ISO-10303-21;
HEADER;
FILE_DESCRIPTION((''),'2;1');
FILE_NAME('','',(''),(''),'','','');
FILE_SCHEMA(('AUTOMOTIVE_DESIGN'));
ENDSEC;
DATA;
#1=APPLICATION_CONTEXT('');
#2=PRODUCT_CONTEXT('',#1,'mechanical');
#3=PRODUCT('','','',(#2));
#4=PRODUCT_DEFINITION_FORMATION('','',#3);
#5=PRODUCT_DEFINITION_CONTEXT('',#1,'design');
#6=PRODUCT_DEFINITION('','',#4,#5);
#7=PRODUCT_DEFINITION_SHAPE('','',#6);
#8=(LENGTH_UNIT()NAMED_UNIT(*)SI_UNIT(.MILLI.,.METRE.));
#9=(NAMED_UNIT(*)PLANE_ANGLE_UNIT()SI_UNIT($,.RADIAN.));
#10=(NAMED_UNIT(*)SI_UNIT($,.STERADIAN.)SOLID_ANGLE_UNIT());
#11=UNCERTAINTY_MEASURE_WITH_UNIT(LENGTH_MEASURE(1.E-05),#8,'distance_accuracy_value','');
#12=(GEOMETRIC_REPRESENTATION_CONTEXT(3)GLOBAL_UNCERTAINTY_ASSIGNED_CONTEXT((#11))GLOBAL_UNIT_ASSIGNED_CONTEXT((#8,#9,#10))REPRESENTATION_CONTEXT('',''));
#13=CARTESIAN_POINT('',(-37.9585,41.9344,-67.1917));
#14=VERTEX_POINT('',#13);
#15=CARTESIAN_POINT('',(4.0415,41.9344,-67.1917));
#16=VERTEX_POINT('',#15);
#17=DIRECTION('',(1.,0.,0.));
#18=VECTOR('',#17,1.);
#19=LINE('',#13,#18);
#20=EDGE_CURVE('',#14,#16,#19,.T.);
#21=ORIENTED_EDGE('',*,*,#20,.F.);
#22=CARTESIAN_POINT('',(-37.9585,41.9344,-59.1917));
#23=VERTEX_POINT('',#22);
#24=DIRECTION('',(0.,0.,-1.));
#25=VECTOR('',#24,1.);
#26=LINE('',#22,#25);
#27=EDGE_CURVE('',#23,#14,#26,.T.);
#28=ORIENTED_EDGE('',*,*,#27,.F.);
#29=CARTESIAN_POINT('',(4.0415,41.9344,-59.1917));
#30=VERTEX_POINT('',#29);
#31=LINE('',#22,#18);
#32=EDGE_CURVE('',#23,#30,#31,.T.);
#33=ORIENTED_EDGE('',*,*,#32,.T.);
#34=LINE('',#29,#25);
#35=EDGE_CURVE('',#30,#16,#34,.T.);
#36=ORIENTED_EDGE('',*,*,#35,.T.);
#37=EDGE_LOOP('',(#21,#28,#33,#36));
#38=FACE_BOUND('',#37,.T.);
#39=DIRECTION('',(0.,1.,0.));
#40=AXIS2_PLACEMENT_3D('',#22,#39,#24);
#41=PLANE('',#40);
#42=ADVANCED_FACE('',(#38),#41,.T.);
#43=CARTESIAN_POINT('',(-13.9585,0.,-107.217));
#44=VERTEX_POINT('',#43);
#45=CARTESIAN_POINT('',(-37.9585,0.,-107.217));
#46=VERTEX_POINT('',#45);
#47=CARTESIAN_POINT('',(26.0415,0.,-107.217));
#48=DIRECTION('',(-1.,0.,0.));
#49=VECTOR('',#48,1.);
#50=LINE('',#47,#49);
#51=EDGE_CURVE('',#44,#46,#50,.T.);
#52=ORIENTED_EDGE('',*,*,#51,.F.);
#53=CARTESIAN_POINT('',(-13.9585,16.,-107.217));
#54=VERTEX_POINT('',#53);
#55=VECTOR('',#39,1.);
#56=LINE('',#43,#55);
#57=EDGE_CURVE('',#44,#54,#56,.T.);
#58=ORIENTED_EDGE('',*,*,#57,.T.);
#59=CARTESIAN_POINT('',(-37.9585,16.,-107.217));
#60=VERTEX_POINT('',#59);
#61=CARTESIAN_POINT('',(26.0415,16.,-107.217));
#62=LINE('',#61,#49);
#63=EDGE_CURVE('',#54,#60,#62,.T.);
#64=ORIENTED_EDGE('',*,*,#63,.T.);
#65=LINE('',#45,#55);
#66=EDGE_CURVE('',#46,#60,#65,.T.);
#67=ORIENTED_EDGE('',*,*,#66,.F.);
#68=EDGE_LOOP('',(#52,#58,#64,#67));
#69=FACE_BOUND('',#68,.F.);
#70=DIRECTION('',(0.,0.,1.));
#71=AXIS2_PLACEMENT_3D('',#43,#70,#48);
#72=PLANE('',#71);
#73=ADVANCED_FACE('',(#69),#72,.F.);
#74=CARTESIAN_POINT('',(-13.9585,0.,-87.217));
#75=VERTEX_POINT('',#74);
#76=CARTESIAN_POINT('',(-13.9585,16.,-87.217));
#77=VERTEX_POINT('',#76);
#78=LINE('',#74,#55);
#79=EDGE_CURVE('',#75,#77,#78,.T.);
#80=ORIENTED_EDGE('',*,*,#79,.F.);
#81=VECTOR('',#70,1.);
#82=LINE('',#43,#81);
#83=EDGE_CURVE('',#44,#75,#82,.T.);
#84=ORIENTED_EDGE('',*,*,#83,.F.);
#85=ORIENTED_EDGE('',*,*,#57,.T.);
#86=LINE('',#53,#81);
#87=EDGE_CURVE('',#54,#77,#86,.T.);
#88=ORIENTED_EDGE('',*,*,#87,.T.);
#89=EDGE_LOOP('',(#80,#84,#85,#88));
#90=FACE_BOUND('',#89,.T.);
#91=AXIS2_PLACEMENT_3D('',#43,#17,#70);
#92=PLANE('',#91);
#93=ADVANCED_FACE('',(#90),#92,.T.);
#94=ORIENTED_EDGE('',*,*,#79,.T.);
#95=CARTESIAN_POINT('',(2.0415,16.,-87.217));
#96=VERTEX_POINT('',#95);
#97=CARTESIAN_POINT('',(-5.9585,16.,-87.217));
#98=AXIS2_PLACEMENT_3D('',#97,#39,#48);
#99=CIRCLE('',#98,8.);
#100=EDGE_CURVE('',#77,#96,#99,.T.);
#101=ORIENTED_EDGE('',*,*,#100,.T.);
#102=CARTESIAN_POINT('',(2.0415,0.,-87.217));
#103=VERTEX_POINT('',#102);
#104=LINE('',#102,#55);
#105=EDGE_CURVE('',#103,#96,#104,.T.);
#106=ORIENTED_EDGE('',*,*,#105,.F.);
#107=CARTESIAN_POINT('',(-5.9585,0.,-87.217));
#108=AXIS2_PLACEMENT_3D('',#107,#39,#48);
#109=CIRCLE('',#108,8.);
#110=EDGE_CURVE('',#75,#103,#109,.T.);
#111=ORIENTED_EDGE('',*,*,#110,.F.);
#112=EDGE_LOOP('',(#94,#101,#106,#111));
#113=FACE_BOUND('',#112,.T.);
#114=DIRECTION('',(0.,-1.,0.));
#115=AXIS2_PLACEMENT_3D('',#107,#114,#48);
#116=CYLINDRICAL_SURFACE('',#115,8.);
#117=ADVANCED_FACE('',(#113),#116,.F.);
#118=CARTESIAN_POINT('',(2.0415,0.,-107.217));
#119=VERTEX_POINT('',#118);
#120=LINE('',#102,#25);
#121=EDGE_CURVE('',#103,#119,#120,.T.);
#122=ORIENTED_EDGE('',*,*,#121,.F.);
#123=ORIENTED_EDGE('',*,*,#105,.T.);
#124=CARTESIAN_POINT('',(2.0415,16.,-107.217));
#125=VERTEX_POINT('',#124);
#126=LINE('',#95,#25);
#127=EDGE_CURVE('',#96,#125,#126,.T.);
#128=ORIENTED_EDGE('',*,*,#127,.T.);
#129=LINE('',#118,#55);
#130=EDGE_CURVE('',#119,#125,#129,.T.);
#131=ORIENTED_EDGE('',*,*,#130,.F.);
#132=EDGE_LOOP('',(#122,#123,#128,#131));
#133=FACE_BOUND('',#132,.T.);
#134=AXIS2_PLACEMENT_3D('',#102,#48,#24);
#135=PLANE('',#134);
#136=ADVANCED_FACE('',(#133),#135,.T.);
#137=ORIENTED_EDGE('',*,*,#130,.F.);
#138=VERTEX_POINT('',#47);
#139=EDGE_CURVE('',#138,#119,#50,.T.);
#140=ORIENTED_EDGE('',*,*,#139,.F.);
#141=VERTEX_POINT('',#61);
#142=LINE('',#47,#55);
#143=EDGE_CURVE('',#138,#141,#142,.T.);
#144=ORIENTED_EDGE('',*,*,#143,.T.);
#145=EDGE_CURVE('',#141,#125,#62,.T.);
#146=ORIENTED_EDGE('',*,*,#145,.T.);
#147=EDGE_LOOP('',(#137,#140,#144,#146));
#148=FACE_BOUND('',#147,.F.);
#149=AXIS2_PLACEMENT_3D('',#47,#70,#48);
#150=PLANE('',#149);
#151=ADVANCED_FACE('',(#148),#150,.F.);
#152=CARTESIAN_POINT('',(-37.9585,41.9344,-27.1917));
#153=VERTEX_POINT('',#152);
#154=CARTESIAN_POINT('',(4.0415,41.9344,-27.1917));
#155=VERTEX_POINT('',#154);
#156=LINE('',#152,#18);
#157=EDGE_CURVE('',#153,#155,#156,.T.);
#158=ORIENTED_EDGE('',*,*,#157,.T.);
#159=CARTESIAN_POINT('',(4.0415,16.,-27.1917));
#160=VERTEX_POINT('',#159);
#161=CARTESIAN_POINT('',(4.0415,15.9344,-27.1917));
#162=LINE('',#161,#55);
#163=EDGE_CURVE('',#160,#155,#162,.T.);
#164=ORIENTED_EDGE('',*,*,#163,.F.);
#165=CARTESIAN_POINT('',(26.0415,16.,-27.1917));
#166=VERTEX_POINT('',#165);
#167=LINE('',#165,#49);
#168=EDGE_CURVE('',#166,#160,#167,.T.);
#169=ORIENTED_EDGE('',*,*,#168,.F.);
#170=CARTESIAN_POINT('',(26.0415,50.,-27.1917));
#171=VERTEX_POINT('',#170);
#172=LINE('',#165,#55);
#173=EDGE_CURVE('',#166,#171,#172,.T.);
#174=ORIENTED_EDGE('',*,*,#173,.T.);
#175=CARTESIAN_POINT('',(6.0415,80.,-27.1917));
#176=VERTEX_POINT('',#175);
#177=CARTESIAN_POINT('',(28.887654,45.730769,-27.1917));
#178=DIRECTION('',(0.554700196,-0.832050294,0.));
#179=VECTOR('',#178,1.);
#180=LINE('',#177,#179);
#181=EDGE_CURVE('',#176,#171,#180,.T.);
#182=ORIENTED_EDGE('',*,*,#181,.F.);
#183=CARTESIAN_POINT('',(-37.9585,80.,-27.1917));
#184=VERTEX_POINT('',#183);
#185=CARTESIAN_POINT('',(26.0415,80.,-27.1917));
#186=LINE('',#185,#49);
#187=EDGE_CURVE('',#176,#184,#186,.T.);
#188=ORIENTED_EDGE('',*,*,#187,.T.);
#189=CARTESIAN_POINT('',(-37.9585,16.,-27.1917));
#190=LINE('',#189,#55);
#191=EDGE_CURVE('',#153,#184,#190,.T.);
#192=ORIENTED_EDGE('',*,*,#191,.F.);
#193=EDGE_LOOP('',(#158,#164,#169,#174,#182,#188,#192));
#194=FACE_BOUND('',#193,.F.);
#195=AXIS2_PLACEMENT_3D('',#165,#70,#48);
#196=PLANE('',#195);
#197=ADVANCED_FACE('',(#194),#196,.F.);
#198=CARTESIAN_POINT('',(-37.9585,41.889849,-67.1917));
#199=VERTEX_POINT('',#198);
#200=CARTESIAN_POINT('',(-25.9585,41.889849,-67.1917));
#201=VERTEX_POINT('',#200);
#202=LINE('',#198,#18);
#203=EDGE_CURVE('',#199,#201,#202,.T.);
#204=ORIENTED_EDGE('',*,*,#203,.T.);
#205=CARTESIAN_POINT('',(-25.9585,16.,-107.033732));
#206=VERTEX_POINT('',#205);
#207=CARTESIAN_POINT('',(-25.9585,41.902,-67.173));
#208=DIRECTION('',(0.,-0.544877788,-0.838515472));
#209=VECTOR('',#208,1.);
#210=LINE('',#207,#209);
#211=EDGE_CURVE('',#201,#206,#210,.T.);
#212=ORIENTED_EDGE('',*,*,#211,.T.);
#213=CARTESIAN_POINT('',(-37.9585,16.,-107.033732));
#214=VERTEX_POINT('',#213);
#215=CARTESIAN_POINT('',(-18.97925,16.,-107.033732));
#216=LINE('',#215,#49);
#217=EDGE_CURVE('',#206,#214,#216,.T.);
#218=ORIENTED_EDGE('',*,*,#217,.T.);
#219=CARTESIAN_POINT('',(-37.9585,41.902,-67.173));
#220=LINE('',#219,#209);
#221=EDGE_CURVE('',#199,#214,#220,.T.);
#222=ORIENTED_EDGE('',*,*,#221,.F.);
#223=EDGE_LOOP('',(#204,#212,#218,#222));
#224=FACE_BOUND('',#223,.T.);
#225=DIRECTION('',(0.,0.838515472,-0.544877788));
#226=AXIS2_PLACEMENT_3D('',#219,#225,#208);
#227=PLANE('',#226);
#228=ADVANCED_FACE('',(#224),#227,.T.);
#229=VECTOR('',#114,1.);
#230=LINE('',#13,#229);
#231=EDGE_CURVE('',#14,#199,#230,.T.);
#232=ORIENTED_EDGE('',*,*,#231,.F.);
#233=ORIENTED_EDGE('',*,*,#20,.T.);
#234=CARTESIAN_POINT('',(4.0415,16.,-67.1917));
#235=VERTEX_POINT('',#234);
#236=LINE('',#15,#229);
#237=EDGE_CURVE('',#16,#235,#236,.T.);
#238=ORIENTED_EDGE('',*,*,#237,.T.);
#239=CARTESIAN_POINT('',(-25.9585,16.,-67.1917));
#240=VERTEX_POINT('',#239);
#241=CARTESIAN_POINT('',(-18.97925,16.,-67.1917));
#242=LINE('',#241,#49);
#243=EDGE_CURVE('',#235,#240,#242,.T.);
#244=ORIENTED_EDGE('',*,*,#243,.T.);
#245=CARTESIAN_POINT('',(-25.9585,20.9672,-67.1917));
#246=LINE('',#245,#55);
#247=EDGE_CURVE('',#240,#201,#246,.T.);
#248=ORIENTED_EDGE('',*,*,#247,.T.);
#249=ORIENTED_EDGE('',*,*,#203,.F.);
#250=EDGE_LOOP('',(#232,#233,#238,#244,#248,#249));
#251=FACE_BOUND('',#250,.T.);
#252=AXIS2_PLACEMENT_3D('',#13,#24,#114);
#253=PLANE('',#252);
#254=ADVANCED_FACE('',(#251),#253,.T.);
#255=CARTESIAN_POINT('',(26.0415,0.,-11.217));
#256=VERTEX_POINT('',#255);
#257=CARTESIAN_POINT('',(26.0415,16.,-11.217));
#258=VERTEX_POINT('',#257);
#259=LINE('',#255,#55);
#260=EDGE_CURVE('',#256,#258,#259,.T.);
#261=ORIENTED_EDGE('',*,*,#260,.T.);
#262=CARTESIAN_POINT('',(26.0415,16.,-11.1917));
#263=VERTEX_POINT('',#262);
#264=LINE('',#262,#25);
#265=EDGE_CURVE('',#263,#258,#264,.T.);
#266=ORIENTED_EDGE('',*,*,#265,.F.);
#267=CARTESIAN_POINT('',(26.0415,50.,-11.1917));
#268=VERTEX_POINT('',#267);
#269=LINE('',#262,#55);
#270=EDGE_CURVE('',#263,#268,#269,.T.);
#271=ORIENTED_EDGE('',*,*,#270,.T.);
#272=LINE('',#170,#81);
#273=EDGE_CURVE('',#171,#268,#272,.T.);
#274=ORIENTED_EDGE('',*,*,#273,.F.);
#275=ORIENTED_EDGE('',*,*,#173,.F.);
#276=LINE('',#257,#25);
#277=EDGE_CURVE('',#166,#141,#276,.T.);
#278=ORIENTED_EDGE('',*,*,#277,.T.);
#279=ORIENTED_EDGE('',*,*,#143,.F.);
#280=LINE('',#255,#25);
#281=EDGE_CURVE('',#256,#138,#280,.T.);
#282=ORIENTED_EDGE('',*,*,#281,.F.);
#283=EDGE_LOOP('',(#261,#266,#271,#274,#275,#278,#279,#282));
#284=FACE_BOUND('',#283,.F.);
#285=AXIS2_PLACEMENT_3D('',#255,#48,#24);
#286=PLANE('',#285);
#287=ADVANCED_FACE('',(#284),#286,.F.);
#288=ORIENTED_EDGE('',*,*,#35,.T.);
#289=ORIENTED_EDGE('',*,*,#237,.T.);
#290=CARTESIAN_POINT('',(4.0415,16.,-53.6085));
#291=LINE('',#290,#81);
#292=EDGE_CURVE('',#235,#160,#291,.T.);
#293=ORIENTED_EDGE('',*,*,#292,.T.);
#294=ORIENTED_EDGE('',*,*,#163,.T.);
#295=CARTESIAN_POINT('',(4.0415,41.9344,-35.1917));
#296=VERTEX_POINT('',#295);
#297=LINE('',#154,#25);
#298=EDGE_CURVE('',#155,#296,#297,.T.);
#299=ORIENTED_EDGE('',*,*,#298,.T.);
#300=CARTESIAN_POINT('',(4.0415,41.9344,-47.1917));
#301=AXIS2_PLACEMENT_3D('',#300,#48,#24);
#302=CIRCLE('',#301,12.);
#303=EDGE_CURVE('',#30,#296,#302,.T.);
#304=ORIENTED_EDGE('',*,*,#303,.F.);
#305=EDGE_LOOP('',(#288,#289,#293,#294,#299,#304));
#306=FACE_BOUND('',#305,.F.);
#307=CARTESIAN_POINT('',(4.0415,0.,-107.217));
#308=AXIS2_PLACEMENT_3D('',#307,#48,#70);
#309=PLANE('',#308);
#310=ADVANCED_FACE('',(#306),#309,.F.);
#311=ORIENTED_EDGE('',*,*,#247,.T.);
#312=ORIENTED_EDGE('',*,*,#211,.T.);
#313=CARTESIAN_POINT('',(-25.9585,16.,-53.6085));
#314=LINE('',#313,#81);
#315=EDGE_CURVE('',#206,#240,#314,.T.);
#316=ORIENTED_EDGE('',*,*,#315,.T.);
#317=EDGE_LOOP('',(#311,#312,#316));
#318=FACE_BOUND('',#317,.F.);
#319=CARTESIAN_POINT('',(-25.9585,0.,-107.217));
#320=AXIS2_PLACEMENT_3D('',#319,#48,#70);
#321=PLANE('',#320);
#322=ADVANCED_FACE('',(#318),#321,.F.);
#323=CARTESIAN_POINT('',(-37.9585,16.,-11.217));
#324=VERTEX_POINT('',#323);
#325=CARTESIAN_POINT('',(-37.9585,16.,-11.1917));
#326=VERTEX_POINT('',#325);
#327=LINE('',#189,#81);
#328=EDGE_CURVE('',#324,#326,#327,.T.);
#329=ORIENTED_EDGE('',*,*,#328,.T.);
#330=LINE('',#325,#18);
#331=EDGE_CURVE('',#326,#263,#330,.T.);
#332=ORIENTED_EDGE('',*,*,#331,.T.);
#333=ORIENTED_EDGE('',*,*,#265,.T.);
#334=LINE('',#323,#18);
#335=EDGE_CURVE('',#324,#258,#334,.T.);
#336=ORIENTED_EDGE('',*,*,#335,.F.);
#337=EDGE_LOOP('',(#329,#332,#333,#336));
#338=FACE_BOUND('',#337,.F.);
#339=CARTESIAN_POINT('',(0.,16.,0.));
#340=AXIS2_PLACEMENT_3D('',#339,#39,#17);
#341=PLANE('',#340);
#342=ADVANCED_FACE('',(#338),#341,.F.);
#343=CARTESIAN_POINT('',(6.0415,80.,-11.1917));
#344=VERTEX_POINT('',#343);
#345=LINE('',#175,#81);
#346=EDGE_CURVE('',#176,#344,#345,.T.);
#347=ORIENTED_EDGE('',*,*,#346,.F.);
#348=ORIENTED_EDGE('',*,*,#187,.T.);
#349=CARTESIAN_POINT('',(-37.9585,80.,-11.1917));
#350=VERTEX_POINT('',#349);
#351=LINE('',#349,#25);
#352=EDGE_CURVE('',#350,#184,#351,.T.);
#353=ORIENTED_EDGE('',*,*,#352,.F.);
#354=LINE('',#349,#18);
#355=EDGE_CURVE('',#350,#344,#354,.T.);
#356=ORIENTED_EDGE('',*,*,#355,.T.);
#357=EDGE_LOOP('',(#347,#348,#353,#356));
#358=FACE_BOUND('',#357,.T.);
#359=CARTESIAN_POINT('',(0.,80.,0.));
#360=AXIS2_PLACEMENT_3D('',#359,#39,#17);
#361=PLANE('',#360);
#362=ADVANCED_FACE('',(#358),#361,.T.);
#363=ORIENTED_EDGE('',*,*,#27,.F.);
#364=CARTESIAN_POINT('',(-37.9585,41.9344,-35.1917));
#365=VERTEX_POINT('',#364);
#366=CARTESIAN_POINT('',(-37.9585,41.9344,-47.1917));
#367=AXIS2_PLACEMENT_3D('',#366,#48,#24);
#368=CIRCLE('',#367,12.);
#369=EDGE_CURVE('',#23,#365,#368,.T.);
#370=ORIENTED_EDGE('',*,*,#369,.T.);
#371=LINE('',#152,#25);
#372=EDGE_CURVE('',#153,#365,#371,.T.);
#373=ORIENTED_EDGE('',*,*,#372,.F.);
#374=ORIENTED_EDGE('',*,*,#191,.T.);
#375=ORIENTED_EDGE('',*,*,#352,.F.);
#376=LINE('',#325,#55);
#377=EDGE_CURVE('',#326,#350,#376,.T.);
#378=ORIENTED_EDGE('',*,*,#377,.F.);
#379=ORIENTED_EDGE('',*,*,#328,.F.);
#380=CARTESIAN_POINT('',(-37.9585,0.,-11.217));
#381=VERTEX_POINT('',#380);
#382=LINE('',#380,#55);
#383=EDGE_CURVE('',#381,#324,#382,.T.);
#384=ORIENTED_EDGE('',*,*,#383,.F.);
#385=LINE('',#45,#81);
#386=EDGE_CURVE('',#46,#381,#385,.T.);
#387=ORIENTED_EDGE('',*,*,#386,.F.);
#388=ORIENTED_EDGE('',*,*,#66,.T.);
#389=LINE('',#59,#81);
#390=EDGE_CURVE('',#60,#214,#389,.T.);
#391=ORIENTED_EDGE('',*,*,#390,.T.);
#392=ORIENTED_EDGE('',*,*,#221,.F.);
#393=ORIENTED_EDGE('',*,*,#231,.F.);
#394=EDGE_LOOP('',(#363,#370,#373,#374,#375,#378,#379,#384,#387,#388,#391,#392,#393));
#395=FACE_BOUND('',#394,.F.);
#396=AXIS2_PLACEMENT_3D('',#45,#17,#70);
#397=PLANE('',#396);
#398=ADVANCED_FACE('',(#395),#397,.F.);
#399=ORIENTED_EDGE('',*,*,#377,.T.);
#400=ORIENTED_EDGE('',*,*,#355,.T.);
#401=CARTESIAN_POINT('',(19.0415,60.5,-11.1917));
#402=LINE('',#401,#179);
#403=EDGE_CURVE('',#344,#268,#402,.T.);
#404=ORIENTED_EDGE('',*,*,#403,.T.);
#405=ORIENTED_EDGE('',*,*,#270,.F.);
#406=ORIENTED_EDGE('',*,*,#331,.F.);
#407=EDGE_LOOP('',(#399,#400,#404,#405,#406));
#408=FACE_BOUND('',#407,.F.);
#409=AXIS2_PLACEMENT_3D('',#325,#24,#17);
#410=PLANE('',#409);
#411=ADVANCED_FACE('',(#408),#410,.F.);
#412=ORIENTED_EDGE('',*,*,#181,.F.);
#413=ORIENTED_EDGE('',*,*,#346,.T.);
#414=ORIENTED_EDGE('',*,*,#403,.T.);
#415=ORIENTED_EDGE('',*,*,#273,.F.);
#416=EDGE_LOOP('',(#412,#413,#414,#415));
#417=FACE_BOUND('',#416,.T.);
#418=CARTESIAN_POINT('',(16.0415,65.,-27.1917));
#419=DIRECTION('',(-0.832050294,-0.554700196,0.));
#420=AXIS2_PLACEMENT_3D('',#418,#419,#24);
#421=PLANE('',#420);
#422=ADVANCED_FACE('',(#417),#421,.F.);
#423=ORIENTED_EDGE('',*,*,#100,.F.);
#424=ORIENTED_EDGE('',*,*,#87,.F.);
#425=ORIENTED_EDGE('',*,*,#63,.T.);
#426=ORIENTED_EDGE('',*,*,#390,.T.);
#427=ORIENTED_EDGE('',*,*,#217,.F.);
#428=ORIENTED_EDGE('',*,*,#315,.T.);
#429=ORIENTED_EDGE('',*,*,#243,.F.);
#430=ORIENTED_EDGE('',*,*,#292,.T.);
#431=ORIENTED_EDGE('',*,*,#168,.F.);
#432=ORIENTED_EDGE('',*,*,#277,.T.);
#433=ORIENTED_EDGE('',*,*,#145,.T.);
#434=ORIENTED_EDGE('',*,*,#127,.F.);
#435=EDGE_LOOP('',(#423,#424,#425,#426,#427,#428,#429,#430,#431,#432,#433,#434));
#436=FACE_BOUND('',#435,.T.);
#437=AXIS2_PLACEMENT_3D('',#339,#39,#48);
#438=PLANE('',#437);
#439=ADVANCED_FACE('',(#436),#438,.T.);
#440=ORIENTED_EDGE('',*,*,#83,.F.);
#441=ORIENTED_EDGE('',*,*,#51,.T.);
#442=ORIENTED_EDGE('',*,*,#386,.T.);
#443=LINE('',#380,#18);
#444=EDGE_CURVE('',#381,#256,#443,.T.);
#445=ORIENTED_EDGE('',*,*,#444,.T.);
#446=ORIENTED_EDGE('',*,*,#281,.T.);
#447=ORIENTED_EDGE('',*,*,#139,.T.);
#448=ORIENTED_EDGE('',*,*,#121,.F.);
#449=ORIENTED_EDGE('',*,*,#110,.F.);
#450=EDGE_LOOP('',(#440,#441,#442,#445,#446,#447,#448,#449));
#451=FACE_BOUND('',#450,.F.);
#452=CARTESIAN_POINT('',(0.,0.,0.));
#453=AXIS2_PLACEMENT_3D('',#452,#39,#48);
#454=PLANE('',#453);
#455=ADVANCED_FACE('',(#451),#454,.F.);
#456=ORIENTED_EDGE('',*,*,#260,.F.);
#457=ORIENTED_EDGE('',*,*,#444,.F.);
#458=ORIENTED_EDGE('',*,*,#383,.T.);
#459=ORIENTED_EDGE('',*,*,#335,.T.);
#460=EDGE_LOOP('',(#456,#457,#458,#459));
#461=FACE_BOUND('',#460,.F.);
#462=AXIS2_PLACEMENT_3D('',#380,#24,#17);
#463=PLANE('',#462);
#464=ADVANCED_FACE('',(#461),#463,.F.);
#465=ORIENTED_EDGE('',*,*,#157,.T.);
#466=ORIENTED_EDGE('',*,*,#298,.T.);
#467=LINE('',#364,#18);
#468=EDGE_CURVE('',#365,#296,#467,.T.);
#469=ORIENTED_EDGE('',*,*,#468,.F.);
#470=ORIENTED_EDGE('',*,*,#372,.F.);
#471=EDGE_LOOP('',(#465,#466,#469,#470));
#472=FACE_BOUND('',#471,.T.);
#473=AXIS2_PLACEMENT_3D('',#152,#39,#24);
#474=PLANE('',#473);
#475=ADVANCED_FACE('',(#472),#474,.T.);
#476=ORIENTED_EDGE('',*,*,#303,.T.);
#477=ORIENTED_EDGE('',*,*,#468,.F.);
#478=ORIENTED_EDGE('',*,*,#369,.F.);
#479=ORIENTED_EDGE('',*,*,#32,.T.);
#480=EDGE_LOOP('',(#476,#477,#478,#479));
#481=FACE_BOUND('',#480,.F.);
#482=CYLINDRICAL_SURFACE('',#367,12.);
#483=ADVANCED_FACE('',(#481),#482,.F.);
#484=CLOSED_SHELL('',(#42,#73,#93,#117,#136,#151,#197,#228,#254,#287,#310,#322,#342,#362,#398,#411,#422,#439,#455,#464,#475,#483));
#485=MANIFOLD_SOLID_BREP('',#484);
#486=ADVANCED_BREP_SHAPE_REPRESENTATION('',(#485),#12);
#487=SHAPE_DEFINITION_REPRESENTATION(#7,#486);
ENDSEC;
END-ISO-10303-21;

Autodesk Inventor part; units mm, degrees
ref_plane "YZ Plane" through (0, 0, 0) normal (1, 0, 0) x (0, 1, 0)
ref_plane "XZ Plane" through (0, 0, 0) normal (0, 1, 0) x (-1, 0, 0)
ref_plane "XY Plane" through (0, 0, 0) normal (0, 0, 1) x (1, 0, 0)
sketch "Sketch1" plane through (0, 0, 0) normal (0, 1, 0) x (-1, 0, 0)
  line L0 (37.9585, -11.217) -> (-26.0415, -11.217)
  line L1 (-26.0415, -11.217) -> (-26.0415, -107.217)
  line L2 (-26.0415, -107.217) -> (37.9585, -107.217)
  line L3 (37.9585, -107.217) -> (37.9585, -11.217)
  line L4 (13.9585, -107.217) -> (13.9585, -87.217)
  arc A0 (13.9585, -87.217) -> (-2.0415, -87.217) centre (5.9585, -87.217) ccw
  line L5 (-2.0415, -87.217) -> (-2.0415, -107.217)
  point P0 (0, 0)
  dimension "d0" = 64
  dimension "d1" = 96
  dimension "d2" = 20
  dimension "d3" = 8
  dimension "d4" = 32
extrude "Extrusion1" add sketch "Sketch1" along normal blind 16 contours L3 L2 L4 A0 L5 L1 L0
sketch "Sketch2" plane through (0, 16, 0) normal (0, 1, 0) x (1, 0, 0)
  line L0 (-37.9585, 11.1917) -> (26.0415, 11.1917)
  line L1 (26.0415, 11.1917) -> (26.0415, 27.1917)
  line L2 (26.0415, 27.1917) -> (-37.9585, 27.1917)
  line L3 (-37.9585, 27.1917) -> (-37.9585, 11.1917)
  line L4 (26.0415, 11.217) -> (26.0415, 107.217) projected
  line L5 (-37.9585, 107.217) -> (-37.9585, 11.217) projected
  point P0 (0, 0)
  dimension "d7" = 16
extrude "Extrusion2" add sketch "Sketch2" along normal blind 64
chamfer "Chamfer1" distance 20 distance2 30 1 edges at (26.0415, 80, -19.1917) measured on face at (4.7081, 80, -16.525)
sketch "Sketch4" plane through (-37.9585, 0, -107.217) normal (-1, 0, 0) x (0, 0, 1)
  line L0 (80.0253, 15.9344) -> (80.0253, 41.9344)
  line L1 (80.0253, 41.9344) -> (72.0253, 41.9344)
  arc A0 (48.0253, 41.9344) -> (72.0253, 41.9344) centre (60.0253, 41.9344) ccw
  line L2 (48.0253, 41.9344) -> (40.0253, 41.9344)
  line L3 (40.0253, 41.9344) -> (40.0253, 15.9344)
  line L4 (40.0253, 15.9344) -> (80.0253, 15.9344)
  line L5 (80.0253, 16) -> (80.0253, 80) projected
  point P0 (107.217, 0)
  dimension "d19" = 26
  dimension "d20" = 8
  dimension "d21" = 8
  dimension "d22" = 12
extrude "Extrusion4" add sketch "Sketch4" against normal blind 42
sketch "Sketch5" plane through (-37.9585, 0, -107.217) normal (-1, 0, 0) x (0, 0, 1)
  line L0 (40.044, 41.902) -> (0.0026, 15.8826)
  line L1 (0.0026, 15.8826) -> (40.044, 15.8826)
  line L2 (40.044, 15.8826) -> (40.044, 41.902)
  point P0 (107.217, 0)
extrude "Extrusion5" add sketch "Sketch5" against normal blind 12
equation "\"d4\" = 0.5 * d0"
properties part number "Exercise01"
